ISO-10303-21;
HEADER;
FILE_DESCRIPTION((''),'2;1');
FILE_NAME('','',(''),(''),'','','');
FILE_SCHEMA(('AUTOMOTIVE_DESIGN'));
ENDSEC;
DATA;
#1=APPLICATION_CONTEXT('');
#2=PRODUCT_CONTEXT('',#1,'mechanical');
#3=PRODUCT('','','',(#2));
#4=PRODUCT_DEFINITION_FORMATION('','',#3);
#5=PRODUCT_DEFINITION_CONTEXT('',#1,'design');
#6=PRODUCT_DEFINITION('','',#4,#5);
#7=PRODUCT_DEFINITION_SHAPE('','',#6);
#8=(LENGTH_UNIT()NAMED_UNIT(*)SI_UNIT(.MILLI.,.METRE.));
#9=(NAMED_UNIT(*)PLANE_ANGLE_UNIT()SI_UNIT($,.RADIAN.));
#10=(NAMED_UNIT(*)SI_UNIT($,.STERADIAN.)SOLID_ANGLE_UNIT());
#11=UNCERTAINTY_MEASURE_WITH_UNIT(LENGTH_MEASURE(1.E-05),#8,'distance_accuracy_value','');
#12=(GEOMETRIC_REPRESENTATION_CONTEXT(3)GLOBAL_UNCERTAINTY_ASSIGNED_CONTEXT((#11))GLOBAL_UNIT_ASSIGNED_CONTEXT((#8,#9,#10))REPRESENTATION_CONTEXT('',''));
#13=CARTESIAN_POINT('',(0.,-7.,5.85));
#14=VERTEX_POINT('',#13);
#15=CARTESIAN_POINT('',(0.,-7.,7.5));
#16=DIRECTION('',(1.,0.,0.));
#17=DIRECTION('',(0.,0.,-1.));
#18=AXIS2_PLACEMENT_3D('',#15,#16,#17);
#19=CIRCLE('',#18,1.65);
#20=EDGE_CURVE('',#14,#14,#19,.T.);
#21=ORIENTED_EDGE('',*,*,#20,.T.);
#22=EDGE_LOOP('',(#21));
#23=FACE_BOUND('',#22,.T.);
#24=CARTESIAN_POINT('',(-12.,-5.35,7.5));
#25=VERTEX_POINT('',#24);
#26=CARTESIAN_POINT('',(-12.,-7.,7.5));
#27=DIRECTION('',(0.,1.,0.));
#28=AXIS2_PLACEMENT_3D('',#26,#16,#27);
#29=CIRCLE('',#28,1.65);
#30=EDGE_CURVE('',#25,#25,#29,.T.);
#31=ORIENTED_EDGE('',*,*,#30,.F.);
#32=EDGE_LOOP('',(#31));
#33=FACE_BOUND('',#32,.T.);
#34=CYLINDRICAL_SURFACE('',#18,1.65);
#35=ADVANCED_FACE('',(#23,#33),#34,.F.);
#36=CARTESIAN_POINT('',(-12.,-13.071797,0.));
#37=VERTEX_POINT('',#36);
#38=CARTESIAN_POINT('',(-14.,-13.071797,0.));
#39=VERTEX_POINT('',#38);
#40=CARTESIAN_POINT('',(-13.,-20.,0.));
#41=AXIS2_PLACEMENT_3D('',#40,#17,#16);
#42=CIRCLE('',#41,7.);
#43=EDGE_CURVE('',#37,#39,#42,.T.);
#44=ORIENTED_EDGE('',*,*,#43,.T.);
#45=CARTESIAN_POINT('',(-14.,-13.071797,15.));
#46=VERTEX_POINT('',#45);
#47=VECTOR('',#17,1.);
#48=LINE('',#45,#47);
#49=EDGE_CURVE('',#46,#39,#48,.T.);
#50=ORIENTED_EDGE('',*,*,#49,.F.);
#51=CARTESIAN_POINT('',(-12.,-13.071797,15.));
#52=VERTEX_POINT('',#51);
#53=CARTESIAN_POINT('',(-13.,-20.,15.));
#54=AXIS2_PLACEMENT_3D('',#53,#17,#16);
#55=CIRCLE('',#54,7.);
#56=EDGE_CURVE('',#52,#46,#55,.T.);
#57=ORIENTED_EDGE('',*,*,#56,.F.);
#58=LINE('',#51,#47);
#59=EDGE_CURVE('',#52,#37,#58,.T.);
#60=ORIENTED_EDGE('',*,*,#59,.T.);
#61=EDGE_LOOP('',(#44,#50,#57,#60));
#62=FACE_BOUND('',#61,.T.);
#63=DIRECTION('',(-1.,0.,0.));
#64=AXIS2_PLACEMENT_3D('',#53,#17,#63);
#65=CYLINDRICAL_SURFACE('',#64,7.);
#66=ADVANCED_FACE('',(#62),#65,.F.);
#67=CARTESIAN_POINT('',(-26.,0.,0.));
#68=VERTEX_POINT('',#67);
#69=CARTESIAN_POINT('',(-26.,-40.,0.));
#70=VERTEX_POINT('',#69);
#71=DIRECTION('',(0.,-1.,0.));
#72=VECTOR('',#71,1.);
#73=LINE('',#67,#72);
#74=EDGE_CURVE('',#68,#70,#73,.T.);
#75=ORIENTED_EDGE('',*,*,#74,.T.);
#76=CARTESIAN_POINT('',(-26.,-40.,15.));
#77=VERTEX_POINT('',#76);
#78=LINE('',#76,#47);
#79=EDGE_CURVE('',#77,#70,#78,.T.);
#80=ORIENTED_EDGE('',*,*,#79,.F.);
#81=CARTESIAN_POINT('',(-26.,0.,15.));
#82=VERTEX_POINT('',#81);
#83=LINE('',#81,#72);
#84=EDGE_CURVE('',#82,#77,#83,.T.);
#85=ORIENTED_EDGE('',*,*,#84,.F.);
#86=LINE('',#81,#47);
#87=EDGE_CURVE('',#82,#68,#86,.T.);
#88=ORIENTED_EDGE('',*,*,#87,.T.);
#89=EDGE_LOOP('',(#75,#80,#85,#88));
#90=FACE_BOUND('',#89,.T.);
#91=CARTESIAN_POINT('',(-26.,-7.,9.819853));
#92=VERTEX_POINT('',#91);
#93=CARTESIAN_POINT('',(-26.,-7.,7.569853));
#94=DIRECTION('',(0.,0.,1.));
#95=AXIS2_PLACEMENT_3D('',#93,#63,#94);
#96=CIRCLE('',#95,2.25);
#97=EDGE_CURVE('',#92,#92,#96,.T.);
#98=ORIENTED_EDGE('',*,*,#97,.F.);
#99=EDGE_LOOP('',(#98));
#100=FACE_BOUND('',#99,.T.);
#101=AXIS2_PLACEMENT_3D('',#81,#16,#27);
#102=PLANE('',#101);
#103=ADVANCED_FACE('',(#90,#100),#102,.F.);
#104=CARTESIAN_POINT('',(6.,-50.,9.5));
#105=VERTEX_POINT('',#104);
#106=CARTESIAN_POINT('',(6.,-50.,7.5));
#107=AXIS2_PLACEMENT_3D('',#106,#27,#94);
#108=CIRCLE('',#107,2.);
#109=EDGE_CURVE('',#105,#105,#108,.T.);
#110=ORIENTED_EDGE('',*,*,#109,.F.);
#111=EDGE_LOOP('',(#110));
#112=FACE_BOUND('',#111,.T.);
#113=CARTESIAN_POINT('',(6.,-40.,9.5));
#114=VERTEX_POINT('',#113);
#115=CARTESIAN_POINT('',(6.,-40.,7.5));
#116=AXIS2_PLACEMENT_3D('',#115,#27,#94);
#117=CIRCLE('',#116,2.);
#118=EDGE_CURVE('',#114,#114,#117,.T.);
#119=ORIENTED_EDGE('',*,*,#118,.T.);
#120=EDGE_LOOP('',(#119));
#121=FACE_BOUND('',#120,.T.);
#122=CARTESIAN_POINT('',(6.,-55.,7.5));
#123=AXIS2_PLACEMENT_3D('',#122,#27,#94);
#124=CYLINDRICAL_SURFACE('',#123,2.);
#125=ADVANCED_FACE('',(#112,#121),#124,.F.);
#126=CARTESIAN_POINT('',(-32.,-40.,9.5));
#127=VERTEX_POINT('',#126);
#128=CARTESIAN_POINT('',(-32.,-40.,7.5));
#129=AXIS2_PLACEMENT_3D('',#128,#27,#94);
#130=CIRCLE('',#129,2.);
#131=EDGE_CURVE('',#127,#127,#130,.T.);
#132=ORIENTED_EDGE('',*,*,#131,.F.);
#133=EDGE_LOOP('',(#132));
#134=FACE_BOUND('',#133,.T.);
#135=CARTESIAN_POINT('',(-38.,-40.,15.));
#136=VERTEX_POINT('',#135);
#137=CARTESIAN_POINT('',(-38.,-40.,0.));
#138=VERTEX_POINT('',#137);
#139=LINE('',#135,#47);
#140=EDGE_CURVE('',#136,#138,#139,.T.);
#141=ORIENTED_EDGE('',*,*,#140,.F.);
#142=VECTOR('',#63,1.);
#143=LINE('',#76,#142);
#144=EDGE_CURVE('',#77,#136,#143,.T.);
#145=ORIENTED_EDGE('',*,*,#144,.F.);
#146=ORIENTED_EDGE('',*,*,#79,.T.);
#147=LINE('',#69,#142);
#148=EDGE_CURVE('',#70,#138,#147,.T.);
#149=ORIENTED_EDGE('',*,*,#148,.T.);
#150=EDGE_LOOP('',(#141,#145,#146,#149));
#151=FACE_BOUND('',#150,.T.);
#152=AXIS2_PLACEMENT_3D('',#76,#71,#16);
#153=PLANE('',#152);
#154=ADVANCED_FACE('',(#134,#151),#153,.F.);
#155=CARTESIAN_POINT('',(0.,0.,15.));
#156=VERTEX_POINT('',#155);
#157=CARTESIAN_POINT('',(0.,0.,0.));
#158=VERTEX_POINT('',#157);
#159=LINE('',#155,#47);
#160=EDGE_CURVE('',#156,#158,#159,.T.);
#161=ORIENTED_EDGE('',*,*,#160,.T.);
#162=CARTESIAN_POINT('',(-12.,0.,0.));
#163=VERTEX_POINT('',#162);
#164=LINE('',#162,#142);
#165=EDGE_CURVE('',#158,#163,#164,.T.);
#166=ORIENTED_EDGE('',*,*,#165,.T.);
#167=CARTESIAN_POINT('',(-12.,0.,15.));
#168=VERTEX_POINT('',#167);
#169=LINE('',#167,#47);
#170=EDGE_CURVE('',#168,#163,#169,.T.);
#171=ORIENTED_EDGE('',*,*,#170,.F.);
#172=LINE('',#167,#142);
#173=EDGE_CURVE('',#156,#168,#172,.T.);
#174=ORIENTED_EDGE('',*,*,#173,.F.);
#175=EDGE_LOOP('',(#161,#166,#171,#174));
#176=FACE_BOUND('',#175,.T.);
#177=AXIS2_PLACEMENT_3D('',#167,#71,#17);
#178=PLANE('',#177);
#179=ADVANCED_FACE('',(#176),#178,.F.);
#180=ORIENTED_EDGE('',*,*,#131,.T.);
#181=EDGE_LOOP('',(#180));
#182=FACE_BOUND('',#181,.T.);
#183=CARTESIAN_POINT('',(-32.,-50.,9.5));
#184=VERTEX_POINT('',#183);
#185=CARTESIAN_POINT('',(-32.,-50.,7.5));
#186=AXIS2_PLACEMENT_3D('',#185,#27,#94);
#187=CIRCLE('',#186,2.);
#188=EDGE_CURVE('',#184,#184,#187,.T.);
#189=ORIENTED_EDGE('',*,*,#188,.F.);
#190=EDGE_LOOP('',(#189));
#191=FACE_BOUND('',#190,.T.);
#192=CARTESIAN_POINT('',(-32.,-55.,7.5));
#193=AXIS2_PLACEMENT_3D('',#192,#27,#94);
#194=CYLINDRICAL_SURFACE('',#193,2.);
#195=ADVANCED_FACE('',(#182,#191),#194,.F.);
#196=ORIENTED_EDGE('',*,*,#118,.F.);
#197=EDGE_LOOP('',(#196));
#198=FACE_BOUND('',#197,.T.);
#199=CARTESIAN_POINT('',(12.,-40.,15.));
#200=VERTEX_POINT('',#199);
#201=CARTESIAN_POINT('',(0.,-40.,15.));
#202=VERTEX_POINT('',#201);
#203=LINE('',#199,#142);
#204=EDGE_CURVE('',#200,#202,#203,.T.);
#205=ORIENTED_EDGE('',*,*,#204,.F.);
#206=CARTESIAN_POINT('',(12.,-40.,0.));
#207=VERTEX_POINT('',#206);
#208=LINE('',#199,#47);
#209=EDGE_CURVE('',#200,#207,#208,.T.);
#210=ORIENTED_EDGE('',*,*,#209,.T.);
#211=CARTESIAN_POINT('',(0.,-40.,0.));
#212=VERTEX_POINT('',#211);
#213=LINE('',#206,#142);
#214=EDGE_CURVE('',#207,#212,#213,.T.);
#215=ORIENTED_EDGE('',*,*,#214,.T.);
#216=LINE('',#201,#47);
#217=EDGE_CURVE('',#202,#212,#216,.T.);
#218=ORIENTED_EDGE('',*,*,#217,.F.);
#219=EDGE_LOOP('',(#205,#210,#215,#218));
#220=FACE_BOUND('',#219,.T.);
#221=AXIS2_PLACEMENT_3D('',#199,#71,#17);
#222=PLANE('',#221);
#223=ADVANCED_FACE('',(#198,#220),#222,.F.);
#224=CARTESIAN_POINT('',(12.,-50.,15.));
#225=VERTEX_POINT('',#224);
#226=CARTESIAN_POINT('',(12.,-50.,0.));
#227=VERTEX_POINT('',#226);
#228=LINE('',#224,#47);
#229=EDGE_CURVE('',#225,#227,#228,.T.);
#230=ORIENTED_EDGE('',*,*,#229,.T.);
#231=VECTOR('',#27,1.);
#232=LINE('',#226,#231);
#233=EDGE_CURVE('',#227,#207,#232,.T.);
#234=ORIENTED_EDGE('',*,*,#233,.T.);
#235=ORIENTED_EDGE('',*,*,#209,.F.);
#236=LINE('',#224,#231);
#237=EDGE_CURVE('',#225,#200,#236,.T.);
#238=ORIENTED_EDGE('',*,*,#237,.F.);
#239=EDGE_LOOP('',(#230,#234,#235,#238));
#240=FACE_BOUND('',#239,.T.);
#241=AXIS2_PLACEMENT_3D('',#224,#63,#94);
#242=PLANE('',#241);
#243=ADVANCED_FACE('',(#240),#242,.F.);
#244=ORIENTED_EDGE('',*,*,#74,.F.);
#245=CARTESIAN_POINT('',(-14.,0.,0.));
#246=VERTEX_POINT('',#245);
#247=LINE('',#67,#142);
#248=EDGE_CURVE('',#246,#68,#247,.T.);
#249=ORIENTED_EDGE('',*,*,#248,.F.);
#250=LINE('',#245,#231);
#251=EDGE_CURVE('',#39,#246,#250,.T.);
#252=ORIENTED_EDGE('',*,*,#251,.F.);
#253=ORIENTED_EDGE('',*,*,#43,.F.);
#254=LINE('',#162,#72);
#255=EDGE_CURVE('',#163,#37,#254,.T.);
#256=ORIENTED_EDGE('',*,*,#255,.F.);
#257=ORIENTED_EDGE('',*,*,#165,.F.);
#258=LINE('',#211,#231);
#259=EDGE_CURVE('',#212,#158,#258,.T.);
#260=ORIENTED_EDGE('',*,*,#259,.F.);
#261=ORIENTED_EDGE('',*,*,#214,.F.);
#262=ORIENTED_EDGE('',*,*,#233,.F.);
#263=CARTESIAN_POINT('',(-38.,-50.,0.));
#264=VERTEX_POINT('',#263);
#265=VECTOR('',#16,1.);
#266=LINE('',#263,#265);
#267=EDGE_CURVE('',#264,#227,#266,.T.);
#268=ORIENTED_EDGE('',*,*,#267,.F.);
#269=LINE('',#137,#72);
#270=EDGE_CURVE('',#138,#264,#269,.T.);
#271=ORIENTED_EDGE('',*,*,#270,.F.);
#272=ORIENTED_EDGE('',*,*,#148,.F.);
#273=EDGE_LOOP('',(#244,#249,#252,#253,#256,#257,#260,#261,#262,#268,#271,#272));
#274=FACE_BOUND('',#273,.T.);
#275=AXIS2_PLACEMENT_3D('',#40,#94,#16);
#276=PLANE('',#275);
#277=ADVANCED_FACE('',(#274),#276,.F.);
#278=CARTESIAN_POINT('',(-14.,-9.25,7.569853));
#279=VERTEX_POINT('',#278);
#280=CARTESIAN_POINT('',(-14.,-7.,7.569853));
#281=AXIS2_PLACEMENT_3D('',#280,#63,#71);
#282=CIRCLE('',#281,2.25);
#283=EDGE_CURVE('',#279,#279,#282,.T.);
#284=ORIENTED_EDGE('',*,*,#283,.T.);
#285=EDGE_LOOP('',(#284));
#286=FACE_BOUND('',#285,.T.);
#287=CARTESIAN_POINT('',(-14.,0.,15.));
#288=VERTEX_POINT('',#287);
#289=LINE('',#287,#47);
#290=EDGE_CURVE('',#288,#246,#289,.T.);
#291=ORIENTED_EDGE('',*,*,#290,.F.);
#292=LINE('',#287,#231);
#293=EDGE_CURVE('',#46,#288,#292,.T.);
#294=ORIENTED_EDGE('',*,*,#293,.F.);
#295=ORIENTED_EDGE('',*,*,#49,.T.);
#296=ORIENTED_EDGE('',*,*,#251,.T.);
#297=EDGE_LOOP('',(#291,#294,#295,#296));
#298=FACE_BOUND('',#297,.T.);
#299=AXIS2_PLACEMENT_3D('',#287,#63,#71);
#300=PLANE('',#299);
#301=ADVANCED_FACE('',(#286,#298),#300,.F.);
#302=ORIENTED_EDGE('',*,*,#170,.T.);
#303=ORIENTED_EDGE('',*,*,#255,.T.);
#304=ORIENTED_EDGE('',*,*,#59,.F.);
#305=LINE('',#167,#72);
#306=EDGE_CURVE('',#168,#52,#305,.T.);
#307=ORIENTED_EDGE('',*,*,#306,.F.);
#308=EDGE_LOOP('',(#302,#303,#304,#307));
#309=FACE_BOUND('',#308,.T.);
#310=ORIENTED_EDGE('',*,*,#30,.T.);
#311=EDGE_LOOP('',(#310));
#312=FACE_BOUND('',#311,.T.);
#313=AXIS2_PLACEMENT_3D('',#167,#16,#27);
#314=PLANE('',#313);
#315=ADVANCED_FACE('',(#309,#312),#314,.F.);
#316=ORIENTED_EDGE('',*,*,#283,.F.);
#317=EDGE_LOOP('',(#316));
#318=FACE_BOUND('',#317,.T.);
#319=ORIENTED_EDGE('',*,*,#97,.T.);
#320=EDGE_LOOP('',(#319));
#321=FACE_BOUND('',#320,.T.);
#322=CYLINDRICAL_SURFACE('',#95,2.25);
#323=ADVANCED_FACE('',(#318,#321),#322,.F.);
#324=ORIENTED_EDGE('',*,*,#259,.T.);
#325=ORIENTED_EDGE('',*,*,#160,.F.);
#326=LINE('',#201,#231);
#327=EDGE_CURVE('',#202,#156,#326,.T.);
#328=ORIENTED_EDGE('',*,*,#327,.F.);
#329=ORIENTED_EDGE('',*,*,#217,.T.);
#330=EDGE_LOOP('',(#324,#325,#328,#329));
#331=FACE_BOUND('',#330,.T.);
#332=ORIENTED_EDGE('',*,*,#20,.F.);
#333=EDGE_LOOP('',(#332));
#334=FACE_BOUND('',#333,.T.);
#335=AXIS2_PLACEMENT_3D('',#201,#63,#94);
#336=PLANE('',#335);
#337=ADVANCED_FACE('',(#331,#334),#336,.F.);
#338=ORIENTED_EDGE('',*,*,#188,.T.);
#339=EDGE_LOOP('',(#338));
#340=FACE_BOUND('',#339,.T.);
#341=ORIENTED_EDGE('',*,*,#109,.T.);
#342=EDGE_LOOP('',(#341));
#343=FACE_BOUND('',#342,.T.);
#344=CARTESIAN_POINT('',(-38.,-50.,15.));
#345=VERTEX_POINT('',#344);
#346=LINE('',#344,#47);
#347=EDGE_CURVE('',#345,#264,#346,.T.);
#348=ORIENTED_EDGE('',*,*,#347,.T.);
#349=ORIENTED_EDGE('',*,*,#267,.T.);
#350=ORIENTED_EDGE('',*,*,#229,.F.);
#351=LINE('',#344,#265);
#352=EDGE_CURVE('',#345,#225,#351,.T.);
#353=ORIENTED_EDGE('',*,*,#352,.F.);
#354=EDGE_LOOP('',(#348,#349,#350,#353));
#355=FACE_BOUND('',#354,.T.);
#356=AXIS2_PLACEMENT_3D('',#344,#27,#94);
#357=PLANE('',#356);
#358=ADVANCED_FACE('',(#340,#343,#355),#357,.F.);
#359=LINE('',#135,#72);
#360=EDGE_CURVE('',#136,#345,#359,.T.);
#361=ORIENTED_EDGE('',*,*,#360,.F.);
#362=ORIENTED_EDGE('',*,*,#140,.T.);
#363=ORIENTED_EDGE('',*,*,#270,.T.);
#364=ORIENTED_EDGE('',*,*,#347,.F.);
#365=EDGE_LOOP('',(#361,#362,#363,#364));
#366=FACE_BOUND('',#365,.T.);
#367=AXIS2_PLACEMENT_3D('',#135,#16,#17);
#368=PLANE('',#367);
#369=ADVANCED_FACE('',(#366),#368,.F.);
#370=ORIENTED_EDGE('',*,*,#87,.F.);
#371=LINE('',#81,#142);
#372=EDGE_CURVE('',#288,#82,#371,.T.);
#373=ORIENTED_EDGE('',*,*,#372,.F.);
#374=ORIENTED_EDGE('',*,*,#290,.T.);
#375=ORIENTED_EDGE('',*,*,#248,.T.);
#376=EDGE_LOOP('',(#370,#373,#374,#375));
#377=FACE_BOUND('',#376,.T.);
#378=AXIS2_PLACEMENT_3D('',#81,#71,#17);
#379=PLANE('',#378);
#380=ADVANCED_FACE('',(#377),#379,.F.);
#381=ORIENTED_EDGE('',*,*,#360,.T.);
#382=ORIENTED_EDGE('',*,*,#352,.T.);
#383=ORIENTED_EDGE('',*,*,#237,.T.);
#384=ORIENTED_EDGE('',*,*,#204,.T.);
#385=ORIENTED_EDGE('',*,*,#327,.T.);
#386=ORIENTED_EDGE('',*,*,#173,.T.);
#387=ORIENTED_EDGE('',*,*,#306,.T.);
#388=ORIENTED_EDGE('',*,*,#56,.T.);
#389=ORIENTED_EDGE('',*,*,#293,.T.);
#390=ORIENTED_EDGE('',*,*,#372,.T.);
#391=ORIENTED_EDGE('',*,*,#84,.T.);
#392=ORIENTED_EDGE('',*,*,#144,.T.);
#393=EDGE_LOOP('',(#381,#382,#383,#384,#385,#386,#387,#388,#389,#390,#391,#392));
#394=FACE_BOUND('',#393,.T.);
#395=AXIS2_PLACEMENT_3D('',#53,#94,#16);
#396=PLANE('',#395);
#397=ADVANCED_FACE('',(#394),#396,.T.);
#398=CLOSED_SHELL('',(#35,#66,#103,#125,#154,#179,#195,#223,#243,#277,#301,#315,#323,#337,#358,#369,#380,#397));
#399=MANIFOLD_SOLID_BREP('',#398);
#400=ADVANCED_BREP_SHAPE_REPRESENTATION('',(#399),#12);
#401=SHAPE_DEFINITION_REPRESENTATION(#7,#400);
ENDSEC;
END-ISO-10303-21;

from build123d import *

# Parameters (mm, degrees)
BOSS_EXTRUDE1_DEPTH   = 15
SKETCH5_R             = 2
CUT_EXTRUDE3_DEPTH    = 15
D_GAGEMENT_M41_D      = 4.5
D_GAGEMENT_M41_DEPTH  = 12
TROU_TARAUD_M41_D     = 3.3
TROU_TARAUD_M41_DEPTH = 12


with BuildPart() as part:
    # Sketch1 → Boss-Extrude1 (new body)
    with BuildSketch(Plane.XY):
        with BuildLine():
            Line((-26, 0), (-26, -40))
            Line((-26, -40), (-38, -40))
            Line((-38, -40), (-38, -50))
            Line((-38, -50), (12, -50))
            Line((12, -50), (12, -40))
            Line((12, -40), (0, -40))
            Line((0, -40), (0, 0))
            Line((0, 0), (-12, 0))
            Line((-12, 0), (-12, -13.07179677))
            ThreePointArc((-12, -13.07179677), (-13, -27), (-14, -13.07179677))
            Line((-14, -13.07179677), (-14, 0))
            Line((-14, 0), (-26, 0))
        make_face()
    extrude(amount=BOSS_EXTRUDE1_DEPTH)

    # Sketch5 → Cut-Extrude3 (cut)
    with BuildSketch(Plane(origin=(0, -40, 0), x_dir=(1, 0, 0), z_dir=(0, 1, 0))):
        with Locations((6, -7.5)):
            Circle(SKETCH5_R)
        with Locations((-32, -7.5)):
            Circle(SKETCH5_R)
    extrude(amount=-CUT_EXTRUDE3_DEPTH, mode=Mode.SUBTRACT)

    # Dégagement M41
    with Locations(Plane.ZY.offset(26)):
        with Locations((7.569852971, -7)):
            Hole(D_GAGEMENT_M41_D / 2, depth=D_GAGEMENT_M41_DEPTH)

    # Trou taraudé M41
    with Locations(Plane(origin=(0, 0, 0), x_dir=(0, 0, -1), z_dir=(1, 0, 0))):
        with Locations((-7.5, -7)):
            Hole(TROU_TARAUD_M41_D / 2, depth=TROU_TARAUD_M41_DEPTH)


solid = part.part
